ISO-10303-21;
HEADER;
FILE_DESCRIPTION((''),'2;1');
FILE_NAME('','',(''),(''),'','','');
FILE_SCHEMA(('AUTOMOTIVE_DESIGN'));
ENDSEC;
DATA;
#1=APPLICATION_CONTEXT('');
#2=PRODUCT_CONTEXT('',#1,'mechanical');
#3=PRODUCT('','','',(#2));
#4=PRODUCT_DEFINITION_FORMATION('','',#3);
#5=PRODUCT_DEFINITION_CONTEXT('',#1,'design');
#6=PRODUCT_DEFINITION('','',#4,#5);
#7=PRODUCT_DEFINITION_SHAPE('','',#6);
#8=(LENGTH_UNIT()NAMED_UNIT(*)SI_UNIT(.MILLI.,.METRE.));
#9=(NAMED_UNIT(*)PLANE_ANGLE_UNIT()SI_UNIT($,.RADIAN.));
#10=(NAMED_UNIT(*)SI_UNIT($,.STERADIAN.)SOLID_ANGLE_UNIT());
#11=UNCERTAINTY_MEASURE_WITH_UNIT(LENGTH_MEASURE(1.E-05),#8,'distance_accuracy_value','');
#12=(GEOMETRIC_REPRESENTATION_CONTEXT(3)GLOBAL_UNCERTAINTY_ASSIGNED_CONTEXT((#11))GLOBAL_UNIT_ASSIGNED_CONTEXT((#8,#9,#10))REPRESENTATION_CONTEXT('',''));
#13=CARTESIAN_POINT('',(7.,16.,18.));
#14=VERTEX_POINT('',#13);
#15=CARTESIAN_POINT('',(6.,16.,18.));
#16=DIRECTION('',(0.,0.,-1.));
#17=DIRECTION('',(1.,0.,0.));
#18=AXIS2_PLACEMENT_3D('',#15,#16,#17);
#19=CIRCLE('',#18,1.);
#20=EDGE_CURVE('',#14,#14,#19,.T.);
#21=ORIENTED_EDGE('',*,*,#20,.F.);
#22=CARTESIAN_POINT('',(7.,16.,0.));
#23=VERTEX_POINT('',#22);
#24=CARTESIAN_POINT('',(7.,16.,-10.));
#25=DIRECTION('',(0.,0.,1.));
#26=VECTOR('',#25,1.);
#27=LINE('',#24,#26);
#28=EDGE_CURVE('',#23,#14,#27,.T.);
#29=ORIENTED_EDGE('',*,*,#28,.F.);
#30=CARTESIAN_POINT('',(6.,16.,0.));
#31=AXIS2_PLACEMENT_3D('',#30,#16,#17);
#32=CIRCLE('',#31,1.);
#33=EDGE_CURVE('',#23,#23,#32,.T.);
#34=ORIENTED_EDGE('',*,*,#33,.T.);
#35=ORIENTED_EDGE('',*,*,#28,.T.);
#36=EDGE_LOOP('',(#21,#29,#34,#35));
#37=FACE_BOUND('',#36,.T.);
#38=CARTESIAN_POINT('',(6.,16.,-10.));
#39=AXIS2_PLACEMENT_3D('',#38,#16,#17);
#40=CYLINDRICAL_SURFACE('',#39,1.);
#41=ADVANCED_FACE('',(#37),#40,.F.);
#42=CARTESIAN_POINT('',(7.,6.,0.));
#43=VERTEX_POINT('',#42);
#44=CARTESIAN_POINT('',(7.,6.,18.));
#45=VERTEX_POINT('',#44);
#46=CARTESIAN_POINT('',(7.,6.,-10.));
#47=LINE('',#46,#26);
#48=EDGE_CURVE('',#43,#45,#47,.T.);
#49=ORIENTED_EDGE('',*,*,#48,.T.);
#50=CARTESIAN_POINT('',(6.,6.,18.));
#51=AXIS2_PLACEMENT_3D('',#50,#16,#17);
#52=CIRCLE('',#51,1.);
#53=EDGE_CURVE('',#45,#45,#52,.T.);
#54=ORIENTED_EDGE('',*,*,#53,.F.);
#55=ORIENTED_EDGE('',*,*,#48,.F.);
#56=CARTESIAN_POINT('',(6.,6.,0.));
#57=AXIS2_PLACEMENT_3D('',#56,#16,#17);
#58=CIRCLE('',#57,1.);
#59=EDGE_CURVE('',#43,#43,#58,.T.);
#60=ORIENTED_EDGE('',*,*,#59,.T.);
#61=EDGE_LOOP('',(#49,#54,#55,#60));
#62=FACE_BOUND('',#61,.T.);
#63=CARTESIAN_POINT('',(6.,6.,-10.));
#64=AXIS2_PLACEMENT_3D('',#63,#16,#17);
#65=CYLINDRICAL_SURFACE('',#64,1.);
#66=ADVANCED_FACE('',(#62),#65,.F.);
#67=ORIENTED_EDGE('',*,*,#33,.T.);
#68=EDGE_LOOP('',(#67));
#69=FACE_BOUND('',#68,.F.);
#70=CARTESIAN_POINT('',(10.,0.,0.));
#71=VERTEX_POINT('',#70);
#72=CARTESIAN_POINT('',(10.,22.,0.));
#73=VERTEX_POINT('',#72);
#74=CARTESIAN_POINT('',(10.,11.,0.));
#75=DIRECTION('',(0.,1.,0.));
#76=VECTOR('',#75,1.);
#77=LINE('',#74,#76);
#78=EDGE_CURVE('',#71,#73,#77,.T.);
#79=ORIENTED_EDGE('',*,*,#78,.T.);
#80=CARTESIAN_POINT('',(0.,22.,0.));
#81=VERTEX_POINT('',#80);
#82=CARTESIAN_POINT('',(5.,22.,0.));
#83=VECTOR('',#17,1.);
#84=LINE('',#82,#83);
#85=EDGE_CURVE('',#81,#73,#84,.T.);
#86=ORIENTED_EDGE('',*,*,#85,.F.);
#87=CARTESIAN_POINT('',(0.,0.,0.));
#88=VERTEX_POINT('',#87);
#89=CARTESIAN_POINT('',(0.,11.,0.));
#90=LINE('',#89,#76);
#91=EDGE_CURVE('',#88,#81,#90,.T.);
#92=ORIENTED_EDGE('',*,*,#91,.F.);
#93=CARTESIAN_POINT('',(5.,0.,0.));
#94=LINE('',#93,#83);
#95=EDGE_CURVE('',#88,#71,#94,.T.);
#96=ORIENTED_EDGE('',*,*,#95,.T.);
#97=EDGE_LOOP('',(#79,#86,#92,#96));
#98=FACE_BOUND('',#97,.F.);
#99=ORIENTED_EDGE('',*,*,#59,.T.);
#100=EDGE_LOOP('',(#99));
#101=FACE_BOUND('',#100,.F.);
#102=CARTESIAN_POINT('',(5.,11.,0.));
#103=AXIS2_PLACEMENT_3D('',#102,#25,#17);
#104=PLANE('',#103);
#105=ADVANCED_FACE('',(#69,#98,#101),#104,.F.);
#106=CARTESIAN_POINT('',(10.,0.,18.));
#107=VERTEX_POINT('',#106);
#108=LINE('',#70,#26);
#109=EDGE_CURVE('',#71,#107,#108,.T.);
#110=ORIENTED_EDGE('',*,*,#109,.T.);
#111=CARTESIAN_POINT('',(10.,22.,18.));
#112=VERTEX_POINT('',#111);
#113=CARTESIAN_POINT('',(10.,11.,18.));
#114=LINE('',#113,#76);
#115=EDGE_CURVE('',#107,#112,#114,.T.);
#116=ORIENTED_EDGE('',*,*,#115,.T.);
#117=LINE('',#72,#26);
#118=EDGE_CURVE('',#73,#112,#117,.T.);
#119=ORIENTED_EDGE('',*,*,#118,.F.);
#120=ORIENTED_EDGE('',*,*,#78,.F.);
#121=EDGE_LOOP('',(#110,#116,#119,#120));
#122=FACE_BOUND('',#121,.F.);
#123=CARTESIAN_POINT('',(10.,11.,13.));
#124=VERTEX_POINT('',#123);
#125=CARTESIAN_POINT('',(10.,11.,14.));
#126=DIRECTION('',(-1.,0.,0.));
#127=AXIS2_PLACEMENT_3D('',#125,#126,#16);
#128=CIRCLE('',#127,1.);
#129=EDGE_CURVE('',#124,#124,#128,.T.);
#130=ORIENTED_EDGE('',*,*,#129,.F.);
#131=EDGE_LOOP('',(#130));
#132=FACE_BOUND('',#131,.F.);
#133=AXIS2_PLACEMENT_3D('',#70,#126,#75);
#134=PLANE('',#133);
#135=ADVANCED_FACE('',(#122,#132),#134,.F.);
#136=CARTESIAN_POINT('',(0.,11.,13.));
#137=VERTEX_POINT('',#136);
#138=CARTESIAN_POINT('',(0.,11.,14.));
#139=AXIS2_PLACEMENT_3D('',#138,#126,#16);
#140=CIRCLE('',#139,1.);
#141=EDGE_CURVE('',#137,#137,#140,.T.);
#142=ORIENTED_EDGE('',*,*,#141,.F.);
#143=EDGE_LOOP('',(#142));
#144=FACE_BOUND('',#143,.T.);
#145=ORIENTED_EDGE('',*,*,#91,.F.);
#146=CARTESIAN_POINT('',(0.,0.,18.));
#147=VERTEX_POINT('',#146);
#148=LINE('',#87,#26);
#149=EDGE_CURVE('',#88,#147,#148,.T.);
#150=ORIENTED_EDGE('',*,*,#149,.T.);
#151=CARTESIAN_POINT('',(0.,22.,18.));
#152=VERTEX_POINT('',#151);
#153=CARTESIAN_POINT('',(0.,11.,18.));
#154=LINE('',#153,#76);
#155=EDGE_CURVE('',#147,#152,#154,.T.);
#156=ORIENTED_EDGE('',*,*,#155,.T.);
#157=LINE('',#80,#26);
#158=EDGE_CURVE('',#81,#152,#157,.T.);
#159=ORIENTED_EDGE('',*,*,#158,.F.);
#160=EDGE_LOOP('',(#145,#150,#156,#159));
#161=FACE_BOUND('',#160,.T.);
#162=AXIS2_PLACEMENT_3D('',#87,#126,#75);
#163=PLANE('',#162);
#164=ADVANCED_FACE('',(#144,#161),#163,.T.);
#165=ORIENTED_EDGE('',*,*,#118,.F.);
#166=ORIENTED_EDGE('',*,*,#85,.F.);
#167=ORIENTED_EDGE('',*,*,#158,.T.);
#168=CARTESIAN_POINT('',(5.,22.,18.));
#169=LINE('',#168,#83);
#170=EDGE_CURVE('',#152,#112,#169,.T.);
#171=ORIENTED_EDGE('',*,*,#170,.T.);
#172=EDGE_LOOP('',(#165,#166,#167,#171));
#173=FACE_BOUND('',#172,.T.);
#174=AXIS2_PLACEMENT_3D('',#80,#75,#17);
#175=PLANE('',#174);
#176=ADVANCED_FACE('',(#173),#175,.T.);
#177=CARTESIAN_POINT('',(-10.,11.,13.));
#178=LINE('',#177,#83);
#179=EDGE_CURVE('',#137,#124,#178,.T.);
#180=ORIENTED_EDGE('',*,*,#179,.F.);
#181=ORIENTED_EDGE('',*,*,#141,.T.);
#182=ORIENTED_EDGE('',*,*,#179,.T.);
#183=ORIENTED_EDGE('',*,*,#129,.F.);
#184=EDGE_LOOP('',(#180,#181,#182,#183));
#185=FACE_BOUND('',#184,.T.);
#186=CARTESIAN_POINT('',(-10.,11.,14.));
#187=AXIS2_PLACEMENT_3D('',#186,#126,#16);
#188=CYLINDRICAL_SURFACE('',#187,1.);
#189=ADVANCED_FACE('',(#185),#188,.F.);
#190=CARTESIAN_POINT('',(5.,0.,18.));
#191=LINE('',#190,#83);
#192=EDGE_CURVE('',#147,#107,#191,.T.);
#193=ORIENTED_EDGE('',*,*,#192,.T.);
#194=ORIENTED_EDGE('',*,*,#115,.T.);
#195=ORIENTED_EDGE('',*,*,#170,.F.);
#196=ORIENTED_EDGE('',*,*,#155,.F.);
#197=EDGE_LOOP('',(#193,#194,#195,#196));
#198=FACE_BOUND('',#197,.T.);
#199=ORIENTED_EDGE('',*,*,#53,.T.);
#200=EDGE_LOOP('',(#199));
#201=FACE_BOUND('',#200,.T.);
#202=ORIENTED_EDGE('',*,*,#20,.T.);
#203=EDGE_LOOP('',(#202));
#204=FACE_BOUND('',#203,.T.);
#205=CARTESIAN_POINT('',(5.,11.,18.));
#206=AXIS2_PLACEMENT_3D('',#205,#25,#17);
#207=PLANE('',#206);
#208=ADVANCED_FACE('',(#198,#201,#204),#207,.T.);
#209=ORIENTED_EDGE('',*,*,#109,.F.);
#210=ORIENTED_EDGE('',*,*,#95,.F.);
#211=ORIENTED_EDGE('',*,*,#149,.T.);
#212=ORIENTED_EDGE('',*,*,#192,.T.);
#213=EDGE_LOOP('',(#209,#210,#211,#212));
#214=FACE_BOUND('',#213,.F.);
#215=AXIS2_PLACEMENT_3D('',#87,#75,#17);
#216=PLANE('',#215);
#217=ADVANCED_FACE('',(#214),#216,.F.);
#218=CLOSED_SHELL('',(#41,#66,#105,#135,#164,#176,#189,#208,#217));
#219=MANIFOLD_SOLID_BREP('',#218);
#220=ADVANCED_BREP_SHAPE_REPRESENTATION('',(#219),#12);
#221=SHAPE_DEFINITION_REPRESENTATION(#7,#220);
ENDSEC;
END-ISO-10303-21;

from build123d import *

# Parameters (mm, degrees)
CYLINDER001_R     = 1
CYLINDER001_DEPTH = 50
CYLINDER_R        = 1
CYLINDER_DEPTH    = 50
ARRAY_Y_COUNT     = 2
ARRAY_Y_PITCH     = 10
BOX_W             = 10
BOX_H             = 22
BOX_DEPTH         = 18


with BuildPart() as cylinder001:
    # Cylinder001 → Cylinder001 (new body)
    with BuildSketch(Plane(origin=(-10, 11, 14), x_dir=(0, 0, -1), z_dir=(1, 0, 0))):
        Circle(CYLINDER001_R)
    extrude(amount=CYLINDER001_DEPTH)


with BuildPart() as fusion:
    # Cylinder → Cylinder (new body)
    with BuildSketch(Plane.XY.offset(-10)):
        Circle(CYLINDER_R)
    extrude(amount=CYLINDER_DEPTH)

    # Array Y: Fusion ×2


with BuildPart() as fusion_1:
    add(fusion.part)
    with Locations(*[(0, i * ARRAY_Y_PITCH, 0) for i in range(1, ARRAY_Y_COUNT)]):
        add(fusion.part)


with BuildPart() as fusion_2:
    # Array placement: moved
    add(fusion_1.part.moved(Location((6, 6, 0))))

    # Fusion: union Cylinder001
    add(cylinder001.part)


with BuildPart() as cut:
    # Box → Box (new body)
    with BuildSketch(Plane.XY):
        with Locations((5, 11)):
            Rectangle(BOX_W, BOX_H)
    extrude(amount=BOX_DEPTH)

    # Cut: cut Fusion
    add(fusion_2.part, mode=Mode.SUBTRACT)


solid = cut.part
